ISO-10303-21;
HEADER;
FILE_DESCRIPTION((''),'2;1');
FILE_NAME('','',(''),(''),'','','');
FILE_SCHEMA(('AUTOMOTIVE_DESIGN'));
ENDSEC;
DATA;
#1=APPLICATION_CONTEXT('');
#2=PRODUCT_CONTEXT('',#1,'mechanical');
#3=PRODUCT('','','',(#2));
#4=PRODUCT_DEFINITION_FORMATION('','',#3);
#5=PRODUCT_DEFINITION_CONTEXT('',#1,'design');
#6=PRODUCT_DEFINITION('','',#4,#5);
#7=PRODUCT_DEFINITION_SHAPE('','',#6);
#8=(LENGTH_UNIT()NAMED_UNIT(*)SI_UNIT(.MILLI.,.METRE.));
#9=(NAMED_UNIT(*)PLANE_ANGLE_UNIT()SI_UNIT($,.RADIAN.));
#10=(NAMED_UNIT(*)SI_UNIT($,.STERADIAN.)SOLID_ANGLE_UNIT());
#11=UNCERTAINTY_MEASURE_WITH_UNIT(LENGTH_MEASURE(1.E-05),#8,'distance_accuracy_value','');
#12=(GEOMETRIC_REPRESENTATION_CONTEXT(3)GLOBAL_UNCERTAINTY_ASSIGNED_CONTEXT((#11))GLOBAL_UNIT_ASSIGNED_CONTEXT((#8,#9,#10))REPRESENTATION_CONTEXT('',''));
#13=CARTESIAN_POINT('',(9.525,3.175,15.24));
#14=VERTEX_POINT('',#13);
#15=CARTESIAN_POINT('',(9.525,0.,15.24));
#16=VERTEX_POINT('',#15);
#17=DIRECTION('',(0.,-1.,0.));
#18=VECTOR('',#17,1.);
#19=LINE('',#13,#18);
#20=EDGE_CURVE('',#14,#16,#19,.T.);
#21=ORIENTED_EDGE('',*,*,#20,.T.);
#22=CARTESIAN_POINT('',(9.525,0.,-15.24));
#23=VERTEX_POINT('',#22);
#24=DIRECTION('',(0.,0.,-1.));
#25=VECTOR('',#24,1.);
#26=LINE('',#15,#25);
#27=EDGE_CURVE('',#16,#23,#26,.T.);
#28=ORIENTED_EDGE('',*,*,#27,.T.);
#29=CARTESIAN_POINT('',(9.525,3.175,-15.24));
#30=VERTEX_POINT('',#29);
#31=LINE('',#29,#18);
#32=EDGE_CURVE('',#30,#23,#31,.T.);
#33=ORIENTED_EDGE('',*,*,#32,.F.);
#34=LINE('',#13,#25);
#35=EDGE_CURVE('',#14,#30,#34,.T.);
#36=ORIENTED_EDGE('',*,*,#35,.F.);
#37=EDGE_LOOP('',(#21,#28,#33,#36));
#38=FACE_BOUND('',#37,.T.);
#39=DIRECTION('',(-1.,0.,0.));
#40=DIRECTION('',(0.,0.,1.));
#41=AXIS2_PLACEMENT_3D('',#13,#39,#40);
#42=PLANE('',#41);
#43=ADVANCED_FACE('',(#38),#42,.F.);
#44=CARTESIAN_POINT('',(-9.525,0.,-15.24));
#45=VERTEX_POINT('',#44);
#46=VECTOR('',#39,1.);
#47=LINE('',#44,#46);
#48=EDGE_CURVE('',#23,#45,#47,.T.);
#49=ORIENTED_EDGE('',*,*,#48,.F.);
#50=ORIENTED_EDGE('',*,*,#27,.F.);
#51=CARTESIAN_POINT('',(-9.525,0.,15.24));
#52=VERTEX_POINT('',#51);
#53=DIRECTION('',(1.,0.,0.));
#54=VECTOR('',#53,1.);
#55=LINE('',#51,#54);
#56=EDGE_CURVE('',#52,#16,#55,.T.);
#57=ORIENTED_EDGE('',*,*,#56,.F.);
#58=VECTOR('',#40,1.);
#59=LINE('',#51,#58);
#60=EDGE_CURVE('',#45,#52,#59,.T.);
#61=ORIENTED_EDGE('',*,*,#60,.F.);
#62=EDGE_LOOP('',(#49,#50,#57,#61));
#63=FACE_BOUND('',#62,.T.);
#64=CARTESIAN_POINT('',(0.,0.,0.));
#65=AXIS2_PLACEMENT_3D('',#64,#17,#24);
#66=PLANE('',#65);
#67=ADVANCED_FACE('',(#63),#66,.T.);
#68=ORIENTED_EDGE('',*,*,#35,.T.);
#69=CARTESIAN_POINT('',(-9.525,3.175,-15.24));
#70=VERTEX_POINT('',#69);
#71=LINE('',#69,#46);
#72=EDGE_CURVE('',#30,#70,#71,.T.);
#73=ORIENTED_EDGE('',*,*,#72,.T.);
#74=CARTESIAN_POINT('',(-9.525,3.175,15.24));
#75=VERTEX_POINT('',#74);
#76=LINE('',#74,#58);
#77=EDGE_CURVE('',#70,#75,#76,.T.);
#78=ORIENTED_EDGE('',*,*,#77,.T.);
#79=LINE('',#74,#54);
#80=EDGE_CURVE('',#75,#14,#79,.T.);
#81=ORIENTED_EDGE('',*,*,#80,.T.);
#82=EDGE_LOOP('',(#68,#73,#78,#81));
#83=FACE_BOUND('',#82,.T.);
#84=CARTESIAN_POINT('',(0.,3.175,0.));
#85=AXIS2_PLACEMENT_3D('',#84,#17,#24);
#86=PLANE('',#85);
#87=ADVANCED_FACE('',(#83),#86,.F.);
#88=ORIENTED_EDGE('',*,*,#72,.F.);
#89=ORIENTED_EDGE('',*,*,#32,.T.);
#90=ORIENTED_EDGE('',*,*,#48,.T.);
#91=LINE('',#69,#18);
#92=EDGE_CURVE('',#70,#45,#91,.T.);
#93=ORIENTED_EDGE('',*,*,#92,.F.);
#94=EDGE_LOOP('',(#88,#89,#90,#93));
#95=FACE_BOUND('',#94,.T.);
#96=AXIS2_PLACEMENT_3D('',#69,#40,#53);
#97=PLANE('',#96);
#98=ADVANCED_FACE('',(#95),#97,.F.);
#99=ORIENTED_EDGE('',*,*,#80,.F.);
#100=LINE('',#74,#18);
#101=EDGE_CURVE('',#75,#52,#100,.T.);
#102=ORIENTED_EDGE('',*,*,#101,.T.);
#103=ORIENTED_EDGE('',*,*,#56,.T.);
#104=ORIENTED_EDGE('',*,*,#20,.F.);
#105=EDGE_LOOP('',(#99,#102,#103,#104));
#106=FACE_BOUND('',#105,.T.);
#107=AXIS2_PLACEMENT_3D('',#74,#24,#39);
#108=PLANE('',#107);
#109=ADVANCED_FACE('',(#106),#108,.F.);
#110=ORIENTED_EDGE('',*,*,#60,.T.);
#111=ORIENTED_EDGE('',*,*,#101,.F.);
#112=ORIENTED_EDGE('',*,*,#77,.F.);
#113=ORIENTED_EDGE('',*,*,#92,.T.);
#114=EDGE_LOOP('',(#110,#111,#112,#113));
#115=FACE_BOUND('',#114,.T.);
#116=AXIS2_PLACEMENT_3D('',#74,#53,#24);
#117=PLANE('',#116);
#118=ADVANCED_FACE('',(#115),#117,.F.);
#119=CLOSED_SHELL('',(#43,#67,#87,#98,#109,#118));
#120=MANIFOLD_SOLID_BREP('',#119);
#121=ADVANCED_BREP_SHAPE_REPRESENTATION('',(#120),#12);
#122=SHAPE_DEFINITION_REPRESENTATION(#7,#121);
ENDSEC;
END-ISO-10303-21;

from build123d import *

# Parameters (mm, degrees)
SKETCH1_W           = 19.05
SKETCH1_H           = 30.48
BOSS_EXTRUDE1_DEPTH = 3.175


with BuildPart() as part:
    # Sketch1 → Boss-Extrude1 (new body)
    with BuildSketch(Plane(origin=(0, 0, 0), x_dir=(1, 0, 0), z_dir=(0, 1, 0))):
        Rectangle(SKETCH1_W, SKETCH1_H)
    extrude(amount=BOSS_EXTRUDE1_DEPTH)


solid = part.part
